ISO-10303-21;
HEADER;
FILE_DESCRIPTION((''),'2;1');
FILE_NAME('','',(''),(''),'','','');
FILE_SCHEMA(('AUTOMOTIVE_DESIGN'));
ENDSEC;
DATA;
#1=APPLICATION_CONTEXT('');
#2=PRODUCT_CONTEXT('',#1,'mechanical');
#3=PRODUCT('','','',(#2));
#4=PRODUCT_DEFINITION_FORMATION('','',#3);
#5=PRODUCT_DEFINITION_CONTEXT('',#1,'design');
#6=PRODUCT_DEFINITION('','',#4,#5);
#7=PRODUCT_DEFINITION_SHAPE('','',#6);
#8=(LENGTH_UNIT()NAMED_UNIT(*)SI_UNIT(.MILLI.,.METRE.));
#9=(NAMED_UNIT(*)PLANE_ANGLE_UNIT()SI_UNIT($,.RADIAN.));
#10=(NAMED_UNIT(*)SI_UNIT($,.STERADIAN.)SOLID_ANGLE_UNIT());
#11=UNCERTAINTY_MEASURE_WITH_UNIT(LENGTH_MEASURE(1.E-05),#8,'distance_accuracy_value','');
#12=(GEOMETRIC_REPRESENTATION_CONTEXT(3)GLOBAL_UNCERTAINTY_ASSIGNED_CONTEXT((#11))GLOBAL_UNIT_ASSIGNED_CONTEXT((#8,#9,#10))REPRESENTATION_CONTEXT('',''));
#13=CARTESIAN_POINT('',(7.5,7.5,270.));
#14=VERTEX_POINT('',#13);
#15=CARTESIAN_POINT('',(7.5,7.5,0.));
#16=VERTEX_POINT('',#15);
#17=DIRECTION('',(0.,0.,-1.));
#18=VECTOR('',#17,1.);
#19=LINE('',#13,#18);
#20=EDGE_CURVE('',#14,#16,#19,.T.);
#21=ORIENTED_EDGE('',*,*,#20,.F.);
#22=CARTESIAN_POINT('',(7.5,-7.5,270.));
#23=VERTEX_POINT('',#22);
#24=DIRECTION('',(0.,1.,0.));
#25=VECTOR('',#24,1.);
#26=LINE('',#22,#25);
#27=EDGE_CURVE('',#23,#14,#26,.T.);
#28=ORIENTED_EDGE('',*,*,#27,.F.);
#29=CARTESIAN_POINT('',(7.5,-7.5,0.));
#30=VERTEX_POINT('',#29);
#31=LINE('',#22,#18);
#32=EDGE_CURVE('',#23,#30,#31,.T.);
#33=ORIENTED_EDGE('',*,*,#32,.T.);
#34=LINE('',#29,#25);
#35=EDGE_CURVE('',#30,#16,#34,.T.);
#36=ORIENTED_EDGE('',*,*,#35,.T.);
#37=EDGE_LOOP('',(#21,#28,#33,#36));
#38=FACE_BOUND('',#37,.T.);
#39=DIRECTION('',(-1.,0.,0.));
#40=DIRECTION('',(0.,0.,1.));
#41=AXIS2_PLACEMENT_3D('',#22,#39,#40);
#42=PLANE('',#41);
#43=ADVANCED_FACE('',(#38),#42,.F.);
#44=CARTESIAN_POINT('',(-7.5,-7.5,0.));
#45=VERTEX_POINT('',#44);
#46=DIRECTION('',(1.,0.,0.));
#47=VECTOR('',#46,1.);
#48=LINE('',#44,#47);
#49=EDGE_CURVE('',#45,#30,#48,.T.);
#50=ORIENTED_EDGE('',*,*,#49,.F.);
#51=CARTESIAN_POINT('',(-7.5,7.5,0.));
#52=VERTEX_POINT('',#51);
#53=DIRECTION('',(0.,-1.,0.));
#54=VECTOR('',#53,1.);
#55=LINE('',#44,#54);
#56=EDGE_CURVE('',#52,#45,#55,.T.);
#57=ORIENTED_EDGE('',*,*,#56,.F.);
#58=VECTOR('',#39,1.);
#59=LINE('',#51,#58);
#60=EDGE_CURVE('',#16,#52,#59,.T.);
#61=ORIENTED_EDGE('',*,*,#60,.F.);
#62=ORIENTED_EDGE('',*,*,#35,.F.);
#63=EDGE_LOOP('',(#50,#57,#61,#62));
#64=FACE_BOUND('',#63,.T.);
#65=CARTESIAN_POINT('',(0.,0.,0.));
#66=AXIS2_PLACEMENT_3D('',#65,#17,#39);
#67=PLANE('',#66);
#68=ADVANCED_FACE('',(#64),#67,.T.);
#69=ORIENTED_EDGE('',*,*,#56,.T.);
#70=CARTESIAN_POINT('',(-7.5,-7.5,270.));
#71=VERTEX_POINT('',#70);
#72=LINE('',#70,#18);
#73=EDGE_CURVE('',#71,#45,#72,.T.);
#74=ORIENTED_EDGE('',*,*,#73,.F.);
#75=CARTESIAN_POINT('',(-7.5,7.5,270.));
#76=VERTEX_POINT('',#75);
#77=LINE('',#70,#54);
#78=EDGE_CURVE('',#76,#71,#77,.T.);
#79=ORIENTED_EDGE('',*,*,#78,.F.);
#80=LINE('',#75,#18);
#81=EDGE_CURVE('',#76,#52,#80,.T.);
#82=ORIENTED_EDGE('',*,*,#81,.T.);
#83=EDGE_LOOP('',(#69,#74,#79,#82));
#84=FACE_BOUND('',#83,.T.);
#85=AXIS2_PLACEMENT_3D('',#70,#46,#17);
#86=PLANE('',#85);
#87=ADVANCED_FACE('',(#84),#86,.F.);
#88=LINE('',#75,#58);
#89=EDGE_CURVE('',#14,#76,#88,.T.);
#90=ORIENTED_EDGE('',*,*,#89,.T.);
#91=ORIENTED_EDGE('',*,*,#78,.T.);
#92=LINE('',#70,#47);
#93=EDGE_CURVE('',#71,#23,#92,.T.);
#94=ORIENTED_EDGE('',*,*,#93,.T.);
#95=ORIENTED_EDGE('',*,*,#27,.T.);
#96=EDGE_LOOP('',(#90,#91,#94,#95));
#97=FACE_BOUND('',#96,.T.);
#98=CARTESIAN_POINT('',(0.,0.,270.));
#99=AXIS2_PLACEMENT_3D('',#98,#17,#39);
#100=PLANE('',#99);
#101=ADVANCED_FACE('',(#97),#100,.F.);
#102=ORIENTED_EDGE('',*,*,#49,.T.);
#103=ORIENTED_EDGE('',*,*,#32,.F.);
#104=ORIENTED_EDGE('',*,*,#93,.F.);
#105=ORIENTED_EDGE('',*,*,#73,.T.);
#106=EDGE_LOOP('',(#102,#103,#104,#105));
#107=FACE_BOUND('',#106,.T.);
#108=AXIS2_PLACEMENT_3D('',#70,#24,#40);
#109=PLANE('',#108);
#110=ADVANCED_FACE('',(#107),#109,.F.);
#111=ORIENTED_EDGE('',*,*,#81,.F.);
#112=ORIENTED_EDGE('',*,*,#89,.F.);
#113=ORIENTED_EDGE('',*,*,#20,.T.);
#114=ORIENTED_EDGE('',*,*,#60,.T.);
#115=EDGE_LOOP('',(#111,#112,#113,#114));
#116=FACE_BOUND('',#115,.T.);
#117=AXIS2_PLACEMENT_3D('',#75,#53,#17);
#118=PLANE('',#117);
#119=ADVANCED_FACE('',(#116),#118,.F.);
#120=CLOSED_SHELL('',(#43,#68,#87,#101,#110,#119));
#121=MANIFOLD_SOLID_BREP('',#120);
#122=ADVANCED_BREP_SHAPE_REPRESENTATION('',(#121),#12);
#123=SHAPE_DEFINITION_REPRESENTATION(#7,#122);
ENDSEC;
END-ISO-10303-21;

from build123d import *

# Parameters (mm, degrees)
ESQUISSE1_W        = 15
ESQUISSE1_H        = 15
BOSS_EXTRU_1_DEPTH = 270


with BuildPart() as part:
    # Esquisse1 → Boss.-Extru.1 (new body)
    with BuildSketch(Plane.XY):
        Rectangle(ESQUISSE1_W, ESQUISSE1_H)
    extrude(amount=BOSS_EXTRU_1_DEPTH)


solid = part.part
